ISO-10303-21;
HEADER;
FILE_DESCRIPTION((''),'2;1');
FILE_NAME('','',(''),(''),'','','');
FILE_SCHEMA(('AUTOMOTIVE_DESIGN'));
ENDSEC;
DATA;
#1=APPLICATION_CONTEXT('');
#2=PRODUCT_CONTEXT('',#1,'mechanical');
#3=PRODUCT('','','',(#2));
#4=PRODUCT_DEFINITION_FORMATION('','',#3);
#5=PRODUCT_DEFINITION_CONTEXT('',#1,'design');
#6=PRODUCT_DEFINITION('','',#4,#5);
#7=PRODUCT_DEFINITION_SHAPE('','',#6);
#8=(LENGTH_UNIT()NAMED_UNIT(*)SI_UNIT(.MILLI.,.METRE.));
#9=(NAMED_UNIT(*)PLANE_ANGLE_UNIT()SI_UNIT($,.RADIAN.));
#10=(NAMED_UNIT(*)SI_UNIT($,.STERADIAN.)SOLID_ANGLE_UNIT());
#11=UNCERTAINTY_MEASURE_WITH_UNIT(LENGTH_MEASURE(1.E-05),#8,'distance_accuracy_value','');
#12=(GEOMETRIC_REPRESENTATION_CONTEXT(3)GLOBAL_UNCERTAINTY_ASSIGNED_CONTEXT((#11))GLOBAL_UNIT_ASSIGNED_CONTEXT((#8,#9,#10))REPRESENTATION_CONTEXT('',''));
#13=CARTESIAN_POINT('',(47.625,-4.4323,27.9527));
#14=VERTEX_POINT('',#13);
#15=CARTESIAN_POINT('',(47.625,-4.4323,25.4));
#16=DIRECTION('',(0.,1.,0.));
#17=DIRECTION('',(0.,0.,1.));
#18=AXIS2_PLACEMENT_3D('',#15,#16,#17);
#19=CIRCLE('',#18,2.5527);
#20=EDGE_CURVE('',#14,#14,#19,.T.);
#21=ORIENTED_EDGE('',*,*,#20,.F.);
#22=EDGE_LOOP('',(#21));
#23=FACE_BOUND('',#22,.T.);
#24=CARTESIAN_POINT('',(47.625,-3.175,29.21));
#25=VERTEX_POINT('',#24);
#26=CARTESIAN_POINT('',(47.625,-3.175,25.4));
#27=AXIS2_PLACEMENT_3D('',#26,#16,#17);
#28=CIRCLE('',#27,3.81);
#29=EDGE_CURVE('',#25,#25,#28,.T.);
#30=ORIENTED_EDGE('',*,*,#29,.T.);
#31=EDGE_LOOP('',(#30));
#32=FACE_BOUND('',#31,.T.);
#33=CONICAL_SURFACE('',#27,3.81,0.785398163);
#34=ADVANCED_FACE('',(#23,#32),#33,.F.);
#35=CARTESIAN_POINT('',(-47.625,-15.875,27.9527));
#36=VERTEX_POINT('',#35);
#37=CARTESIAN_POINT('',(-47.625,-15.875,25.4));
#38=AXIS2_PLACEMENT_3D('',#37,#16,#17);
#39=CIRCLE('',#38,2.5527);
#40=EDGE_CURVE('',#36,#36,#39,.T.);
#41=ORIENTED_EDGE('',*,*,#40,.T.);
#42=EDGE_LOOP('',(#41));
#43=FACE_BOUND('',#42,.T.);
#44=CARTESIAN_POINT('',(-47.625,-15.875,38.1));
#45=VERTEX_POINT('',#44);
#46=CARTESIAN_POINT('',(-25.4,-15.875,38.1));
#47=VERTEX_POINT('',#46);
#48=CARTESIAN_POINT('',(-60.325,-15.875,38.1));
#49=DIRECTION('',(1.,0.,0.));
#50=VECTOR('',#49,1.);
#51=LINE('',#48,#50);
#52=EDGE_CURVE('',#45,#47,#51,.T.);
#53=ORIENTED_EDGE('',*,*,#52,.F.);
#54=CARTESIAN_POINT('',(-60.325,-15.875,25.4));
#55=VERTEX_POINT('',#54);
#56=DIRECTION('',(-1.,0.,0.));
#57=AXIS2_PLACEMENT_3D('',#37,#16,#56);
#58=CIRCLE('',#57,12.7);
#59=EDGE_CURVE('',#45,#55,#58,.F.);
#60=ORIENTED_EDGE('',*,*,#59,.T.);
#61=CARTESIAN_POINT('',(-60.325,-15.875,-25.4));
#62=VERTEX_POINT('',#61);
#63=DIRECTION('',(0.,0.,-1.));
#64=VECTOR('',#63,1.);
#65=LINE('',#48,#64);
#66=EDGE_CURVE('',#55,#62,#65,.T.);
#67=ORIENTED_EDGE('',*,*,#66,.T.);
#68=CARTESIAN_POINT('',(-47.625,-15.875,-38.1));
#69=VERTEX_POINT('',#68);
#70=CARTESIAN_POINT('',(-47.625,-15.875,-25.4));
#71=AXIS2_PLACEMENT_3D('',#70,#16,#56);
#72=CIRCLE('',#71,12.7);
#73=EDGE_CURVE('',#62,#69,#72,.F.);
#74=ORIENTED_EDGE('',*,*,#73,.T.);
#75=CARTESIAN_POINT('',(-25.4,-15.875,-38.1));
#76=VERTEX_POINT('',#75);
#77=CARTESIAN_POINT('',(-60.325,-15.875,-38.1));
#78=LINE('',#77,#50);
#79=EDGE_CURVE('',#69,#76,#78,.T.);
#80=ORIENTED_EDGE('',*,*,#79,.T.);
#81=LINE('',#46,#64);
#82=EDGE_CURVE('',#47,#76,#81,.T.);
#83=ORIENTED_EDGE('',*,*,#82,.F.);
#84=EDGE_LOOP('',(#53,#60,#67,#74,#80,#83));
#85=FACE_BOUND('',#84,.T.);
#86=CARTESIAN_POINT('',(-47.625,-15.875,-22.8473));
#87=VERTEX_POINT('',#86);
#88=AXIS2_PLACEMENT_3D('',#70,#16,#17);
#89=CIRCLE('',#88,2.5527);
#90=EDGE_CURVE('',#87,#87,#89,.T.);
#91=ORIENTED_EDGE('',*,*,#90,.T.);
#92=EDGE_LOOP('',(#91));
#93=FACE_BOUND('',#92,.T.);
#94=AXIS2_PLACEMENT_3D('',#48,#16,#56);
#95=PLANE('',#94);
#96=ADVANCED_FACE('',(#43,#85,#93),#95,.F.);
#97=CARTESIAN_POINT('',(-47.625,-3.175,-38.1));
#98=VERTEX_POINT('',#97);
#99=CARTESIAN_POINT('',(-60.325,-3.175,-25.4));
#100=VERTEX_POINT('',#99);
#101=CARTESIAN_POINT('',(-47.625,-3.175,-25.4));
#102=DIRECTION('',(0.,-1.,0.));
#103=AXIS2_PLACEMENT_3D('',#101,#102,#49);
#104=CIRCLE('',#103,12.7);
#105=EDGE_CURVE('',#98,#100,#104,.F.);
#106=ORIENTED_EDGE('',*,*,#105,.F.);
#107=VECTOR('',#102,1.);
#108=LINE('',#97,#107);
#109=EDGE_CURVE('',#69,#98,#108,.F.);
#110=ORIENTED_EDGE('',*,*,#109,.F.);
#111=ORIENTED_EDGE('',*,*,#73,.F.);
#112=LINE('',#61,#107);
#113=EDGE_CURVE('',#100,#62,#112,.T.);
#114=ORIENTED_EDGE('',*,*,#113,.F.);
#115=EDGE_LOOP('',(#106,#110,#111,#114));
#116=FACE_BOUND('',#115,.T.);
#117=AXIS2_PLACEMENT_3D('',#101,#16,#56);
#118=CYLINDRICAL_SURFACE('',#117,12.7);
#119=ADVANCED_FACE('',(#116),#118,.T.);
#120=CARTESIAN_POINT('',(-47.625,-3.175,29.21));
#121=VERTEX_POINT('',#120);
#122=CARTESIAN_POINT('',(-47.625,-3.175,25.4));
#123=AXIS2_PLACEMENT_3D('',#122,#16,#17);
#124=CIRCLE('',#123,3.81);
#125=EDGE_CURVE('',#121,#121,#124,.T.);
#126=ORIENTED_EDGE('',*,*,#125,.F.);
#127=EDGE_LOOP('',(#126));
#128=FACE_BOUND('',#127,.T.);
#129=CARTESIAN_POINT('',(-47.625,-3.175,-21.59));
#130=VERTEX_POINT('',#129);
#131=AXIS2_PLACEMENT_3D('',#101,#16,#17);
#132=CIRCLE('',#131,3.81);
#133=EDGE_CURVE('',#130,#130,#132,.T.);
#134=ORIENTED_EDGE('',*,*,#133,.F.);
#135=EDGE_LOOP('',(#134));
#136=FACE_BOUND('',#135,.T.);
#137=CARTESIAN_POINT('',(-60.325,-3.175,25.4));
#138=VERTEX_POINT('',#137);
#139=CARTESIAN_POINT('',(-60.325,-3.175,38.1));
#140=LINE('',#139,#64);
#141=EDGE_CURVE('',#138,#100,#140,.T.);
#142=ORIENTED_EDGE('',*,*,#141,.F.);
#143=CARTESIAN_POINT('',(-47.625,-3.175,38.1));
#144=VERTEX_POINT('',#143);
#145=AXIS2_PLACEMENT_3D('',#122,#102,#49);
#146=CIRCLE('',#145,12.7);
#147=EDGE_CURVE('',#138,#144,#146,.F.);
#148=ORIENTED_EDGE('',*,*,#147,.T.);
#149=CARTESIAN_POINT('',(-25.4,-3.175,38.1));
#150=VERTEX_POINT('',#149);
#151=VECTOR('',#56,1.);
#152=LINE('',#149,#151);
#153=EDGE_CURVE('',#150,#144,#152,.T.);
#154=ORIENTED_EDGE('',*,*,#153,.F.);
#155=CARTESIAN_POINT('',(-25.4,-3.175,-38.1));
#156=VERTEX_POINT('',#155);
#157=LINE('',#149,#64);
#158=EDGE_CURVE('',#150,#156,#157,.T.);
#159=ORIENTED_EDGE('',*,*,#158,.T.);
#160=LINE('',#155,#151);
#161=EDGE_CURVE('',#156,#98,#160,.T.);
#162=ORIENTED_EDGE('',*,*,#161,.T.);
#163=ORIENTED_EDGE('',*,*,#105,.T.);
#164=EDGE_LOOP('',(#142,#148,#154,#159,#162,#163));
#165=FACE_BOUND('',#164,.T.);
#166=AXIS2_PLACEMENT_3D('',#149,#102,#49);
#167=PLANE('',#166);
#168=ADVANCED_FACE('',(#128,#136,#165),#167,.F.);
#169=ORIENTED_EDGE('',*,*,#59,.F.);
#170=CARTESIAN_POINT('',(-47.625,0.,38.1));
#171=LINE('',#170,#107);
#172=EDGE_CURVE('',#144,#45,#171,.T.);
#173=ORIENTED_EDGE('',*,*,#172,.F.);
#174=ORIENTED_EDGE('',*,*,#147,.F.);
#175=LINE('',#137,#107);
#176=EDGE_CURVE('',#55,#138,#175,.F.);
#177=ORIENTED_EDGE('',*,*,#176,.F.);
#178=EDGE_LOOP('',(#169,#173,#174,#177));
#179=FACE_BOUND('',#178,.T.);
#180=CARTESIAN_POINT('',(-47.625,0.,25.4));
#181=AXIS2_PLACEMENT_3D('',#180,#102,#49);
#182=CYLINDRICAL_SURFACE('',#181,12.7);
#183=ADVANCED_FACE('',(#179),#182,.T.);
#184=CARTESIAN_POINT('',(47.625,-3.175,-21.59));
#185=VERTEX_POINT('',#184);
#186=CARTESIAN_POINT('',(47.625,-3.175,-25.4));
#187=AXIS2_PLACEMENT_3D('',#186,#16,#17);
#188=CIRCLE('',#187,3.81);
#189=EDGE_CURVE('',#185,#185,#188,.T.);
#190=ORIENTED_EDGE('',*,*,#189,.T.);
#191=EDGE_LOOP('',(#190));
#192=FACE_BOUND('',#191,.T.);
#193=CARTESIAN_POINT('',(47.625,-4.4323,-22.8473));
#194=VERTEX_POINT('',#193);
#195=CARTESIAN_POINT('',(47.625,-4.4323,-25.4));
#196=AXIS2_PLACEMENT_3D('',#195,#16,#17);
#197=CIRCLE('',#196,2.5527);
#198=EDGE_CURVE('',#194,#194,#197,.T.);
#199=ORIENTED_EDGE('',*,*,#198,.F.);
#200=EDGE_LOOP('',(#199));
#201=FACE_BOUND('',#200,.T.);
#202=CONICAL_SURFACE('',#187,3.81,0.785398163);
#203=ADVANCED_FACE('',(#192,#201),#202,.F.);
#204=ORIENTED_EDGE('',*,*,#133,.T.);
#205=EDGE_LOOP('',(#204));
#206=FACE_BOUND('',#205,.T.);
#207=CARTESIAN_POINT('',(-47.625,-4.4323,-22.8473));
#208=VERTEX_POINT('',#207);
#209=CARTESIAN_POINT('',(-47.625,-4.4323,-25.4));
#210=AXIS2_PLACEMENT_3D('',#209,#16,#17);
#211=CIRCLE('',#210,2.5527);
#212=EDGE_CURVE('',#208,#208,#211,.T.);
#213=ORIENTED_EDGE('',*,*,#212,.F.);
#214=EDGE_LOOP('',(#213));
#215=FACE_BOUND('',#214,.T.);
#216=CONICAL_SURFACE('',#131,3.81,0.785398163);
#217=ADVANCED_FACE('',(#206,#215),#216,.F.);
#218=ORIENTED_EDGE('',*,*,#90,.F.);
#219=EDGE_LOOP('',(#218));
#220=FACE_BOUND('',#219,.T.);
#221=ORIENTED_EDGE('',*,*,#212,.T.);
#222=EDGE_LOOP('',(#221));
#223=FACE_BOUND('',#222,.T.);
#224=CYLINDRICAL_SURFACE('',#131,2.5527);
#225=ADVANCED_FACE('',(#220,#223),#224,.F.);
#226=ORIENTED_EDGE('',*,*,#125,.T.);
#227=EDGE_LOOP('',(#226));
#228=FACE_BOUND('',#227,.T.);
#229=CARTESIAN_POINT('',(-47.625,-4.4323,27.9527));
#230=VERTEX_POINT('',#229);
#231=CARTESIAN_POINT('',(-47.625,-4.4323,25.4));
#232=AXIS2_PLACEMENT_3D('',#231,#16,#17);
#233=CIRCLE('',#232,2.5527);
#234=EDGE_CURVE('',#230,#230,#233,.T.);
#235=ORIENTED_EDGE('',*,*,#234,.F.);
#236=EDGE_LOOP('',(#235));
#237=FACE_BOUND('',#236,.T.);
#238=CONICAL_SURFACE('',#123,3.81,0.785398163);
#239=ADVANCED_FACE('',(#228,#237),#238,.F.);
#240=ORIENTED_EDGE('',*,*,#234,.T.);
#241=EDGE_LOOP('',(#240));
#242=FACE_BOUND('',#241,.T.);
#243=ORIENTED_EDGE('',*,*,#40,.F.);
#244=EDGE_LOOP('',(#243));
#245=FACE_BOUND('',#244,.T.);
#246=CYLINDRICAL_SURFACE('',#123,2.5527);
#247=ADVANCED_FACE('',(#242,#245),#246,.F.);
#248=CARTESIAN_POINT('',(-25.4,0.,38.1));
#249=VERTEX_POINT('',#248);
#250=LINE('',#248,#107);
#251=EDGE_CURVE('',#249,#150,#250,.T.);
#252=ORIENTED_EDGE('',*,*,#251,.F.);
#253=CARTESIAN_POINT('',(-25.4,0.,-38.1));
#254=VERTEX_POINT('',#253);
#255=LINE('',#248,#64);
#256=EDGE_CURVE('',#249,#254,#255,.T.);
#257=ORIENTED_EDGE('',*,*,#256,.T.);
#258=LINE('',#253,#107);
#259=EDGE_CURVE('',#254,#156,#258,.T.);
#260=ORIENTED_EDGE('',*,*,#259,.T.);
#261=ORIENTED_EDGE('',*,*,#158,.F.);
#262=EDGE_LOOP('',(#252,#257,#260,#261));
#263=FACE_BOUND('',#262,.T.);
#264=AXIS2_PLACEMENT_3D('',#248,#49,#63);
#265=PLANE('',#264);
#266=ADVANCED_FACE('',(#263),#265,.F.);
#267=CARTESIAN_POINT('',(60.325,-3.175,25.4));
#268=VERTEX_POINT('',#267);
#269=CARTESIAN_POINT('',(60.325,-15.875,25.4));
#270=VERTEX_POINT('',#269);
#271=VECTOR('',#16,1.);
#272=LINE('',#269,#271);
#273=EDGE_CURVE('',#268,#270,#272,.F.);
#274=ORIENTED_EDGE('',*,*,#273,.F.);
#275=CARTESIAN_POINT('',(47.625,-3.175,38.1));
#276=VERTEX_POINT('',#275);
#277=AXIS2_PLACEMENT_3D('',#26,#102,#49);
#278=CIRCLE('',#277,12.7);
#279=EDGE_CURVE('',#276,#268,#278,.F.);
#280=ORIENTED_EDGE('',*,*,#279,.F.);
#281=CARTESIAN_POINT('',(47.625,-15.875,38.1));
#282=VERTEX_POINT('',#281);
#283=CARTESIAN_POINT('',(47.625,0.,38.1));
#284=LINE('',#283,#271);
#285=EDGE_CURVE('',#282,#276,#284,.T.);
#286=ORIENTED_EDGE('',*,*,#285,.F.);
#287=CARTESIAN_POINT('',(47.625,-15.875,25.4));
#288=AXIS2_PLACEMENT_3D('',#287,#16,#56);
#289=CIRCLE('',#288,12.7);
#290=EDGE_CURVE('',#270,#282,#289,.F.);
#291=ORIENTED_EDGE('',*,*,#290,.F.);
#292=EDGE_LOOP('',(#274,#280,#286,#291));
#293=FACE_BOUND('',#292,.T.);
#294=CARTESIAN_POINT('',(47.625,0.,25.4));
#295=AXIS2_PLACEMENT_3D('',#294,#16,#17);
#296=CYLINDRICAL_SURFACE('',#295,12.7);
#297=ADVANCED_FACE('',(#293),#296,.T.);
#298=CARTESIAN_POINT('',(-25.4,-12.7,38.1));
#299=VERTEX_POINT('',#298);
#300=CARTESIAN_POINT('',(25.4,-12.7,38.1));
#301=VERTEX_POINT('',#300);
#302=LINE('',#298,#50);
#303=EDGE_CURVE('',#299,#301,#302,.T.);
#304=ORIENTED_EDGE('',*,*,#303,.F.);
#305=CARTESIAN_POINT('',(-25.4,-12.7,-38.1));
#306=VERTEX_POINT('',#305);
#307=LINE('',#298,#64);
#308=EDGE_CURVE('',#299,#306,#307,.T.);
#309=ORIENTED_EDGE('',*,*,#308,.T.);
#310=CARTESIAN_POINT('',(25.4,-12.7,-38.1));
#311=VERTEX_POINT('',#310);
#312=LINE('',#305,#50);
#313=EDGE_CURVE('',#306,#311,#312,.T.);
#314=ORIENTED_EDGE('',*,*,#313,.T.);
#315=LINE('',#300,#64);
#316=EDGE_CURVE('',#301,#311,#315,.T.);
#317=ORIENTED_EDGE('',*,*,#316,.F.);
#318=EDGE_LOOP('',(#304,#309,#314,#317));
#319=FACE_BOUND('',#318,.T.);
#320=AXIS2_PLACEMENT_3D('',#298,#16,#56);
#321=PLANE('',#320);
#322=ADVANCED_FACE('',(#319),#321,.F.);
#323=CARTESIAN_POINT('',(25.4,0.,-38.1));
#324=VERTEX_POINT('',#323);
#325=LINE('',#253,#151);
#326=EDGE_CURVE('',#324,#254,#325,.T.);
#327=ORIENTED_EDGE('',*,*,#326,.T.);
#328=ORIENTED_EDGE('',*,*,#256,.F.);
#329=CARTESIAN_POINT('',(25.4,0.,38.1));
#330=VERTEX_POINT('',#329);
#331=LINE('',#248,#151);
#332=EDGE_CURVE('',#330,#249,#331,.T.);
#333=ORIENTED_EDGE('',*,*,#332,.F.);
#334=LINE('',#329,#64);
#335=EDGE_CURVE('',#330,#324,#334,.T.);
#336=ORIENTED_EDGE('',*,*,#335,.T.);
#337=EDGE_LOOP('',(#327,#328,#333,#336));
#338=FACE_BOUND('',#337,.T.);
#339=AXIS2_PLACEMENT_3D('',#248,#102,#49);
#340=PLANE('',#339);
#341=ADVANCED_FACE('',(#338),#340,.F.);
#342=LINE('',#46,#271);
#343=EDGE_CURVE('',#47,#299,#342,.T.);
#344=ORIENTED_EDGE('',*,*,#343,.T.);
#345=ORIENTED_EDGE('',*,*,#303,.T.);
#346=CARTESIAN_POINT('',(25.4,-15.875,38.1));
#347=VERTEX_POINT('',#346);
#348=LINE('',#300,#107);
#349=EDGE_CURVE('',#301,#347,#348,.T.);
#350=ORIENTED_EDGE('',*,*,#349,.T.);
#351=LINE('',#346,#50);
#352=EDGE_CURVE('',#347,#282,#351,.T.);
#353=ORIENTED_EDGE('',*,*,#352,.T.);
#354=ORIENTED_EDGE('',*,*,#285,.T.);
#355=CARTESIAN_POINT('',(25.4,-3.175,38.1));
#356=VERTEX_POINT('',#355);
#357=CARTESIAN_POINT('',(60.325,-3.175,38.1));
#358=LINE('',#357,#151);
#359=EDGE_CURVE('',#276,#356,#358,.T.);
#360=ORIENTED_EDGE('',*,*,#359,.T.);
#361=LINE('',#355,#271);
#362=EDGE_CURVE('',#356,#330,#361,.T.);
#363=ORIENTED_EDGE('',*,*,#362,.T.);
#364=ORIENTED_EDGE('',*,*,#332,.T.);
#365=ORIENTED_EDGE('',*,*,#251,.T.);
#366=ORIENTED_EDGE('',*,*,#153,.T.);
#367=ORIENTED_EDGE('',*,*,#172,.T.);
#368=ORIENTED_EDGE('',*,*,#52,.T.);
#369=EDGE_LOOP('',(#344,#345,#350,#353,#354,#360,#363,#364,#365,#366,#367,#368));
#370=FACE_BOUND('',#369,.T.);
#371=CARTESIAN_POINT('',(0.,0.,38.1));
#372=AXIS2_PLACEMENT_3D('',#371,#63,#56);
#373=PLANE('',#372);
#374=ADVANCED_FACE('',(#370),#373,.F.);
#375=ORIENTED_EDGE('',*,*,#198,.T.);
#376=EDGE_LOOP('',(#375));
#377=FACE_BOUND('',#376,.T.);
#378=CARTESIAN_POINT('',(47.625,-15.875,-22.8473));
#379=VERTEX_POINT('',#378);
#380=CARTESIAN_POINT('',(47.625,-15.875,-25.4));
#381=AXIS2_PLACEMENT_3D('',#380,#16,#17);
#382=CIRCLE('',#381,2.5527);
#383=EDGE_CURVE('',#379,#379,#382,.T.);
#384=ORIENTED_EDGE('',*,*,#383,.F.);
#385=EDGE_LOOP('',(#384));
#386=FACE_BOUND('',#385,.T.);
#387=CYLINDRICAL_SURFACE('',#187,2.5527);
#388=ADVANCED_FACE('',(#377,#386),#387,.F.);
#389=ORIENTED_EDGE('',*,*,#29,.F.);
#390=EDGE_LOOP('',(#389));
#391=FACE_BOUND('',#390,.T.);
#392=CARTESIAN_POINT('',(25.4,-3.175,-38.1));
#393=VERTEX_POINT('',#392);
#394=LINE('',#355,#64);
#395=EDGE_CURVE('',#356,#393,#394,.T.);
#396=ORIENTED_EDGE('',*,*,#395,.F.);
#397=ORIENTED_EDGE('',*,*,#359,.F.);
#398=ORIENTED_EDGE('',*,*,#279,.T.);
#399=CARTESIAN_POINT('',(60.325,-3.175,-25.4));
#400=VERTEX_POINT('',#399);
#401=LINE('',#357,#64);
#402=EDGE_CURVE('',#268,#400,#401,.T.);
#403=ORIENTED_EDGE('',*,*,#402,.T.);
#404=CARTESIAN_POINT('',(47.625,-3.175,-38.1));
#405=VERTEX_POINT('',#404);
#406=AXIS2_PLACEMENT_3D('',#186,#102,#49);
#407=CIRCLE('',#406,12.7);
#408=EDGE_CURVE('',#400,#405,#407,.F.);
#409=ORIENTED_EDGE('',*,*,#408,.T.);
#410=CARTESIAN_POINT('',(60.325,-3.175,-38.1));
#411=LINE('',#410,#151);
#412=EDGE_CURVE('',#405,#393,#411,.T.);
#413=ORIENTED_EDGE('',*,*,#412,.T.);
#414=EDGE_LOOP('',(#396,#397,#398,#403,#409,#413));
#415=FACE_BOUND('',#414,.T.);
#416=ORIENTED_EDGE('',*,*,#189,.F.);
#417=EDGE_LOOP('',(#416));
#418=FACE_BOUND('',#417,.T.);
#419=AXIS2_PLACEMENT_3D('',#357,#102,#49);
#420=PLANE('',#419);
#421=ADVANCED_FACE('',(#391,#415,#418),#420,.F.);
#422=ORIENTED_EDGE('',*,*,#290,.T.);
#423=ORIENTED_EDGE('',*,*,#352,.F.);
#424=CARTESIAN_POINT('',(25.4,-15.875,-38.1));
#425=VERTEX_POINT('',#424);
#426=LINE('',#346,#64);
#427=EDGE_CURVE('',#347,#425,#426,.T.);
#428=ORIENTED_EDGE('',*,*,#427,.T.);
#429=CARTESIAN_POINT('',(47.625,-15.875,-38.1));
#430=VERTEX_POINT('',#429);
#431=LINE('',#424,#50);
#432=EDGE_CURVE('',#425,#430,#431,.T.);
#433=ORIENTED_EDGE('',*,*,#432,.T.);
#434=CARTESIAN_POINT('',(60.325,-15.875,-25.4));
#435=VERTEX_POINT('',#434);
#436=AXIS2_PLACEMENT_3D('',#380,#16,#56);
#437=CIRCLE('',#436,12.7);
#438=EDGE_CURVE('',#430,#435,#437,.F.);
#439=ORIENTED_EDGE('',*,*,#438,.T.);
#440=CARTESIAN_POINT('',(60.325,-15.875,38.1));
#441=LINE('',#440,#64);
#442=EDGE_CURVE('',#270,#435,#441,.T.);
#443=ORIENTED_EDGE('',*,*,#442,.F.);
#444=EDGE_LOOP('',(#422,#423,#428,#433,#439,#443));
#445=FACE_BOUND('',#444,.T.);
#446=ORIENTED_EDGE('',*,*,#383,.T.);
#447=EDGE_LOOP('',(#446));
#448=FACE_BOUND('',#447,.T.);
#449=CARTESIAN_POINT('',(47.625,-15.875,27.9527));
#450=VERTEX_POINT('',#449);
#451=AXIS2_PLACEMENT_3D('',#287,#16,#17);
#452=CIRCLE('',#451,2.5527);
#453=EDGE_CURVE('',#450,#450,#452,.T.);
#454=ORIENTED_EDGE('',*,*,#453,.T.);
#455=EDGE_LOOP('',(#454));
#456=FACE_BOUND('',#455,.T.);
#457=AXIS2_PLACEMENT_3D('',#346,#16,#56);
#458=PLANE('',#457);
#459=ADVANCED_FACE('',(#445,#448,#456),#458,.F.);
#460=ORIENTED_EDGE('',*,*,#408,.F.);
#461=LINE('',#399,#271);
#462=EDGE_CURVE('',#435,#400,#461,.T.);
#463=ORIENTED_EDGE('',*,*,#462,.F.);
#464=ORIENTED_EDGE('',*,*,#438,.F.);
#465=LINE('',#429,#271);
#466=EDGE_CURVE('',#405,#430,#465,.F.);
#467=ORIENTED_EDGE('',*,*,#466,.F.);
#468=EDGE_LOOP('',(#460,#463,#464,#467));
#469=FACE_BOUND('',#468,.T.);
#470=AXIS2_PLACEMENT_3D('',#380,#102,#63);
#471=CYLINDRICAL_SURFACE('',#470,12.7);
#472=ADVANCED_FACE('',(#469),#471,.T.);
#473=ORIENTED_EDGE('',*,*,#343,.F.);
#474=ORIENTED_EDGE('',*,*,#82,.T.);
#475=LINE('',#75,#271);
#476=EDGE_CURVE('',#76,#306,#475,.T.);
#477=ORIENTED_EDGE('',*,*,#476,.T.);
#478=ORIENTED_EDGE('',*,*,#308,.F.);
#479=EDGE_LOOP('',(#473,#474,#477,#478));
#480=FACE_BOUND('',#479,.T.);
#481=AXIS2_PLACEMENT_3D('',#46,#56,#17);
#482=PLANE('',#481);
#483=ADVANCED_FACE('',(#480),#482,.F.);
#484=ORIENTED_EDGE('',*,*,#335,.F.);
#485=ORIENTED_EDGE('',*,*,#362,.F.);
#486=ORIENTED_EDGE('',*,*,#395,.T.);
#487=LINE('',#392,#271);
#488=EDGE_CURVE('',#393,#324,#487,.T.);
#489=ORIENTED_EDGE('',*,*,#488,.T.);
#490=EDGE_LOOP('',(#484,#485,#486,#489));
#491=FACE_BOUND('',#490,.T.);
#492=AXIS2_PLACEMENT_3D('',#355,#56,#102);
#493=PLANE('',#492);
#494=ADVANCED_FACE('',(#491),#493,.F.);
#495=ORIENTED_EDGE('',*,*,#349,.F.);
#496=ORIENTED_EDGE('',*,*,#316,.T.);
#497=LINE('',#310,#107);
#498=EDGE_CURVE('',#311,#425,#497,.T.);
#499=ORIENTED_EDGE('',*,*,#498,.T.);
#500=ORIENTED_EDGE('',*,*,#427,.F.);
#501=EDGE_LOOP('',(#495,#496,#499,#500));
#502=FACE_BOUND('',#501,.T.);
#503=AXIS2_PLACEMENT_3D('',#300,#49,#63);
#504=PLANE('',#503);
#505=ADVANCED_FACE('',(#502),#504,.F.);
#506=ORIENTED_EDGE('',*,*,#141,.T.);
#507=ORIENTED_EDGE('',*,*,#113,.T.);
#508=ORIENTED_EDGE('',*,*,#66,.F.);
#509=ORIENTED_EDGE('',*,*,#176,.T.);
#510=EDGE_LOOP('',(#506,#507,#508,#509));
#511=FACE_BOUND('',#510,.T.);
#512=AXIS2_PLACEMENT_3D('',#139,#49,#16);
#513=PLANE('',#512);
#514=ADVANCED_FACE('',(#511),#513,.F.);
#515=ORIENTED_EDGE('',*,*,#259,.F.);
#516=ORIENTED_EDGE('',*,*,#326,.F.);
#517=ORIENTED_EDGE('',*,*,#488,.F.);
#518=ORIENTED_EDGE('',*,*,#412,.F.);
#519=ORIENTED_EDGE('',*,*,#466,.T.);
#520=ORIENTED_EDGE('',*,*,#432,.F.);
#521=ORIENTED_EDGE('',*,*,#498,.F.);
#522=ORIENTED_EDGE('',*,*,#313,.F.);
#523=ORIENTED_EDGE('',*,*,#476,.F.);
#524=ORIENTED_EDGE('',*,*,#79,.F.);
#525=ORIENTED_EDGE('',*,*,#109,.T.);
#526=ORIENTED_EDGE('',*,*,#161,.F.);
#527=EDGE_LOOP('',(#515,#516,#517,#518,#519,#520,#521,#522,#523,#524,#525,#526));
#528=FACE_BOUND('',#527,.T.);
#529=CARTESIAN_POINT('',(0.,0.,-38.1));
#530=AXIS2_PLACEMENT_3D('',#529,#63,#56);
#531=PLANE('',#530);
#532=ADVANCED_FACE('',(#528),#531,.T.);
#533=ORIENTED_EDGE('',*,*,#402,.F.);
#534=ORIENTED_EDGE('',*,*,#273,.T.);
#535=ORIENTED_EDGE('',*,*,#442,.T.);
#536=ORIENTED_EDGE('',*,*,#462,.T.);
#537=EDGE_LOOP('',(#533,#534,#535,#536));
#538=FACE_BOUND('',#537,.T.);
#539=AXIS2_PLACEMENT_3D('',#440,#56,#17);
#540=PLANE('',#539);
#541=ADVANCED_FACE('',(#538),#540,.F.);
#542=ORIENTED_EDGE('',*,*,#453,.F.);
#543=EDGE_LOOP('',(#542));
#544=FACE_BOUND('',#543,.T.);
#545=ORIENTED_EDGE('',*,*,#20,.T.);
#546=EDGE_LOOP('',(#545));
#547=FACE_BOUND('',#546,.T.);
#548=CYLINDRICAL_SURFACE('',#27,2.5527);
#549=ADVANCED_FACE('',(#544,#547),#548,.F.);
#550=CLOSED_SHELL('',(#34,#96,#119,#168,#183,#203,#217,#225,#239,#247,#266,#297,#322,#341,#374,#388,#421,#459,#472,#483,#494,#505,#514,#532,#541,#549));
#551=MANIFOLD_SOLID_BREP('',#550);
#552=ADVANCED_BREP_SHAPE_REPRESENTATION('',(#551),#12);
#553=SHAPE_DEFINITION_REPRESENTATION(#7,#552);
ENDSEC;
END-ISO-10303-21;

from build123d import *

# Parameters (mm, degrees)
BOSS_EXTRUDE1_DEPTH               = 38.1
FILLET1_R                         = 12.7
F_1_4_20_TAPPED_HOLE1_D           = 5.1054
F_1_4_20_TAPPED_HOLE1_CSINK_D     = 7.62
F_1_4_20_TAPPED_HOLE1_CSINK_ANGLE = 90


with BuildPart() as part:
    # Sketch1 → Boss-Extrude1 (new, symmetric)
    with BuildSketch(Plane.XY):
        Polygon((-25.4, 0), (25.4, 0), (25.4, -3.175), (60.325, -3.175), (60.325, -15.875), (25.4, -15.875), (25.4, -12.7), (-25.4, -12.7), (-25.4, -15.875), (-60.325, -15.875), (-60.325, -3.175), (-25.4, -3.175), align=None)
    extrude(amount=BOSS_EXTRUDE1_DEPTH, both=True)

    # Fillet1
    fillet1_edges = [part.edges().sort_by_distance(p)[0] for p in [
        (-60.325, -9.525, 38.1),
        (60.325, -9.525, -38.1),
        (-60.325, -9.525, -38.1),
        (60.325, -9.525, 38.1),
    ]]
    fillet(fillet1_edges, radius=FILLET1_R)

    # 1/4-20 Tapped Hole1 (through all)
    with Locations(Plane(origin=(0, -3.175, 0), x_dir=(1, 0, 0), z_dir=(0, 1, 0))):
        with Locations((-47.625, 25.4), (-47.625, -25.4), (47.625, -25.4), (47.625, 25.4)):
            CounterSinkHole(F_1_4_20_TAPPED_HOLE1_D / 2, F_1_4_20_TAPPED_HOLE1_CSINK_D / 2, counter_sink_angle=F_1_4_20_TAPPED_HOLE1_CSINK_ANGLE)


solid = part.part
